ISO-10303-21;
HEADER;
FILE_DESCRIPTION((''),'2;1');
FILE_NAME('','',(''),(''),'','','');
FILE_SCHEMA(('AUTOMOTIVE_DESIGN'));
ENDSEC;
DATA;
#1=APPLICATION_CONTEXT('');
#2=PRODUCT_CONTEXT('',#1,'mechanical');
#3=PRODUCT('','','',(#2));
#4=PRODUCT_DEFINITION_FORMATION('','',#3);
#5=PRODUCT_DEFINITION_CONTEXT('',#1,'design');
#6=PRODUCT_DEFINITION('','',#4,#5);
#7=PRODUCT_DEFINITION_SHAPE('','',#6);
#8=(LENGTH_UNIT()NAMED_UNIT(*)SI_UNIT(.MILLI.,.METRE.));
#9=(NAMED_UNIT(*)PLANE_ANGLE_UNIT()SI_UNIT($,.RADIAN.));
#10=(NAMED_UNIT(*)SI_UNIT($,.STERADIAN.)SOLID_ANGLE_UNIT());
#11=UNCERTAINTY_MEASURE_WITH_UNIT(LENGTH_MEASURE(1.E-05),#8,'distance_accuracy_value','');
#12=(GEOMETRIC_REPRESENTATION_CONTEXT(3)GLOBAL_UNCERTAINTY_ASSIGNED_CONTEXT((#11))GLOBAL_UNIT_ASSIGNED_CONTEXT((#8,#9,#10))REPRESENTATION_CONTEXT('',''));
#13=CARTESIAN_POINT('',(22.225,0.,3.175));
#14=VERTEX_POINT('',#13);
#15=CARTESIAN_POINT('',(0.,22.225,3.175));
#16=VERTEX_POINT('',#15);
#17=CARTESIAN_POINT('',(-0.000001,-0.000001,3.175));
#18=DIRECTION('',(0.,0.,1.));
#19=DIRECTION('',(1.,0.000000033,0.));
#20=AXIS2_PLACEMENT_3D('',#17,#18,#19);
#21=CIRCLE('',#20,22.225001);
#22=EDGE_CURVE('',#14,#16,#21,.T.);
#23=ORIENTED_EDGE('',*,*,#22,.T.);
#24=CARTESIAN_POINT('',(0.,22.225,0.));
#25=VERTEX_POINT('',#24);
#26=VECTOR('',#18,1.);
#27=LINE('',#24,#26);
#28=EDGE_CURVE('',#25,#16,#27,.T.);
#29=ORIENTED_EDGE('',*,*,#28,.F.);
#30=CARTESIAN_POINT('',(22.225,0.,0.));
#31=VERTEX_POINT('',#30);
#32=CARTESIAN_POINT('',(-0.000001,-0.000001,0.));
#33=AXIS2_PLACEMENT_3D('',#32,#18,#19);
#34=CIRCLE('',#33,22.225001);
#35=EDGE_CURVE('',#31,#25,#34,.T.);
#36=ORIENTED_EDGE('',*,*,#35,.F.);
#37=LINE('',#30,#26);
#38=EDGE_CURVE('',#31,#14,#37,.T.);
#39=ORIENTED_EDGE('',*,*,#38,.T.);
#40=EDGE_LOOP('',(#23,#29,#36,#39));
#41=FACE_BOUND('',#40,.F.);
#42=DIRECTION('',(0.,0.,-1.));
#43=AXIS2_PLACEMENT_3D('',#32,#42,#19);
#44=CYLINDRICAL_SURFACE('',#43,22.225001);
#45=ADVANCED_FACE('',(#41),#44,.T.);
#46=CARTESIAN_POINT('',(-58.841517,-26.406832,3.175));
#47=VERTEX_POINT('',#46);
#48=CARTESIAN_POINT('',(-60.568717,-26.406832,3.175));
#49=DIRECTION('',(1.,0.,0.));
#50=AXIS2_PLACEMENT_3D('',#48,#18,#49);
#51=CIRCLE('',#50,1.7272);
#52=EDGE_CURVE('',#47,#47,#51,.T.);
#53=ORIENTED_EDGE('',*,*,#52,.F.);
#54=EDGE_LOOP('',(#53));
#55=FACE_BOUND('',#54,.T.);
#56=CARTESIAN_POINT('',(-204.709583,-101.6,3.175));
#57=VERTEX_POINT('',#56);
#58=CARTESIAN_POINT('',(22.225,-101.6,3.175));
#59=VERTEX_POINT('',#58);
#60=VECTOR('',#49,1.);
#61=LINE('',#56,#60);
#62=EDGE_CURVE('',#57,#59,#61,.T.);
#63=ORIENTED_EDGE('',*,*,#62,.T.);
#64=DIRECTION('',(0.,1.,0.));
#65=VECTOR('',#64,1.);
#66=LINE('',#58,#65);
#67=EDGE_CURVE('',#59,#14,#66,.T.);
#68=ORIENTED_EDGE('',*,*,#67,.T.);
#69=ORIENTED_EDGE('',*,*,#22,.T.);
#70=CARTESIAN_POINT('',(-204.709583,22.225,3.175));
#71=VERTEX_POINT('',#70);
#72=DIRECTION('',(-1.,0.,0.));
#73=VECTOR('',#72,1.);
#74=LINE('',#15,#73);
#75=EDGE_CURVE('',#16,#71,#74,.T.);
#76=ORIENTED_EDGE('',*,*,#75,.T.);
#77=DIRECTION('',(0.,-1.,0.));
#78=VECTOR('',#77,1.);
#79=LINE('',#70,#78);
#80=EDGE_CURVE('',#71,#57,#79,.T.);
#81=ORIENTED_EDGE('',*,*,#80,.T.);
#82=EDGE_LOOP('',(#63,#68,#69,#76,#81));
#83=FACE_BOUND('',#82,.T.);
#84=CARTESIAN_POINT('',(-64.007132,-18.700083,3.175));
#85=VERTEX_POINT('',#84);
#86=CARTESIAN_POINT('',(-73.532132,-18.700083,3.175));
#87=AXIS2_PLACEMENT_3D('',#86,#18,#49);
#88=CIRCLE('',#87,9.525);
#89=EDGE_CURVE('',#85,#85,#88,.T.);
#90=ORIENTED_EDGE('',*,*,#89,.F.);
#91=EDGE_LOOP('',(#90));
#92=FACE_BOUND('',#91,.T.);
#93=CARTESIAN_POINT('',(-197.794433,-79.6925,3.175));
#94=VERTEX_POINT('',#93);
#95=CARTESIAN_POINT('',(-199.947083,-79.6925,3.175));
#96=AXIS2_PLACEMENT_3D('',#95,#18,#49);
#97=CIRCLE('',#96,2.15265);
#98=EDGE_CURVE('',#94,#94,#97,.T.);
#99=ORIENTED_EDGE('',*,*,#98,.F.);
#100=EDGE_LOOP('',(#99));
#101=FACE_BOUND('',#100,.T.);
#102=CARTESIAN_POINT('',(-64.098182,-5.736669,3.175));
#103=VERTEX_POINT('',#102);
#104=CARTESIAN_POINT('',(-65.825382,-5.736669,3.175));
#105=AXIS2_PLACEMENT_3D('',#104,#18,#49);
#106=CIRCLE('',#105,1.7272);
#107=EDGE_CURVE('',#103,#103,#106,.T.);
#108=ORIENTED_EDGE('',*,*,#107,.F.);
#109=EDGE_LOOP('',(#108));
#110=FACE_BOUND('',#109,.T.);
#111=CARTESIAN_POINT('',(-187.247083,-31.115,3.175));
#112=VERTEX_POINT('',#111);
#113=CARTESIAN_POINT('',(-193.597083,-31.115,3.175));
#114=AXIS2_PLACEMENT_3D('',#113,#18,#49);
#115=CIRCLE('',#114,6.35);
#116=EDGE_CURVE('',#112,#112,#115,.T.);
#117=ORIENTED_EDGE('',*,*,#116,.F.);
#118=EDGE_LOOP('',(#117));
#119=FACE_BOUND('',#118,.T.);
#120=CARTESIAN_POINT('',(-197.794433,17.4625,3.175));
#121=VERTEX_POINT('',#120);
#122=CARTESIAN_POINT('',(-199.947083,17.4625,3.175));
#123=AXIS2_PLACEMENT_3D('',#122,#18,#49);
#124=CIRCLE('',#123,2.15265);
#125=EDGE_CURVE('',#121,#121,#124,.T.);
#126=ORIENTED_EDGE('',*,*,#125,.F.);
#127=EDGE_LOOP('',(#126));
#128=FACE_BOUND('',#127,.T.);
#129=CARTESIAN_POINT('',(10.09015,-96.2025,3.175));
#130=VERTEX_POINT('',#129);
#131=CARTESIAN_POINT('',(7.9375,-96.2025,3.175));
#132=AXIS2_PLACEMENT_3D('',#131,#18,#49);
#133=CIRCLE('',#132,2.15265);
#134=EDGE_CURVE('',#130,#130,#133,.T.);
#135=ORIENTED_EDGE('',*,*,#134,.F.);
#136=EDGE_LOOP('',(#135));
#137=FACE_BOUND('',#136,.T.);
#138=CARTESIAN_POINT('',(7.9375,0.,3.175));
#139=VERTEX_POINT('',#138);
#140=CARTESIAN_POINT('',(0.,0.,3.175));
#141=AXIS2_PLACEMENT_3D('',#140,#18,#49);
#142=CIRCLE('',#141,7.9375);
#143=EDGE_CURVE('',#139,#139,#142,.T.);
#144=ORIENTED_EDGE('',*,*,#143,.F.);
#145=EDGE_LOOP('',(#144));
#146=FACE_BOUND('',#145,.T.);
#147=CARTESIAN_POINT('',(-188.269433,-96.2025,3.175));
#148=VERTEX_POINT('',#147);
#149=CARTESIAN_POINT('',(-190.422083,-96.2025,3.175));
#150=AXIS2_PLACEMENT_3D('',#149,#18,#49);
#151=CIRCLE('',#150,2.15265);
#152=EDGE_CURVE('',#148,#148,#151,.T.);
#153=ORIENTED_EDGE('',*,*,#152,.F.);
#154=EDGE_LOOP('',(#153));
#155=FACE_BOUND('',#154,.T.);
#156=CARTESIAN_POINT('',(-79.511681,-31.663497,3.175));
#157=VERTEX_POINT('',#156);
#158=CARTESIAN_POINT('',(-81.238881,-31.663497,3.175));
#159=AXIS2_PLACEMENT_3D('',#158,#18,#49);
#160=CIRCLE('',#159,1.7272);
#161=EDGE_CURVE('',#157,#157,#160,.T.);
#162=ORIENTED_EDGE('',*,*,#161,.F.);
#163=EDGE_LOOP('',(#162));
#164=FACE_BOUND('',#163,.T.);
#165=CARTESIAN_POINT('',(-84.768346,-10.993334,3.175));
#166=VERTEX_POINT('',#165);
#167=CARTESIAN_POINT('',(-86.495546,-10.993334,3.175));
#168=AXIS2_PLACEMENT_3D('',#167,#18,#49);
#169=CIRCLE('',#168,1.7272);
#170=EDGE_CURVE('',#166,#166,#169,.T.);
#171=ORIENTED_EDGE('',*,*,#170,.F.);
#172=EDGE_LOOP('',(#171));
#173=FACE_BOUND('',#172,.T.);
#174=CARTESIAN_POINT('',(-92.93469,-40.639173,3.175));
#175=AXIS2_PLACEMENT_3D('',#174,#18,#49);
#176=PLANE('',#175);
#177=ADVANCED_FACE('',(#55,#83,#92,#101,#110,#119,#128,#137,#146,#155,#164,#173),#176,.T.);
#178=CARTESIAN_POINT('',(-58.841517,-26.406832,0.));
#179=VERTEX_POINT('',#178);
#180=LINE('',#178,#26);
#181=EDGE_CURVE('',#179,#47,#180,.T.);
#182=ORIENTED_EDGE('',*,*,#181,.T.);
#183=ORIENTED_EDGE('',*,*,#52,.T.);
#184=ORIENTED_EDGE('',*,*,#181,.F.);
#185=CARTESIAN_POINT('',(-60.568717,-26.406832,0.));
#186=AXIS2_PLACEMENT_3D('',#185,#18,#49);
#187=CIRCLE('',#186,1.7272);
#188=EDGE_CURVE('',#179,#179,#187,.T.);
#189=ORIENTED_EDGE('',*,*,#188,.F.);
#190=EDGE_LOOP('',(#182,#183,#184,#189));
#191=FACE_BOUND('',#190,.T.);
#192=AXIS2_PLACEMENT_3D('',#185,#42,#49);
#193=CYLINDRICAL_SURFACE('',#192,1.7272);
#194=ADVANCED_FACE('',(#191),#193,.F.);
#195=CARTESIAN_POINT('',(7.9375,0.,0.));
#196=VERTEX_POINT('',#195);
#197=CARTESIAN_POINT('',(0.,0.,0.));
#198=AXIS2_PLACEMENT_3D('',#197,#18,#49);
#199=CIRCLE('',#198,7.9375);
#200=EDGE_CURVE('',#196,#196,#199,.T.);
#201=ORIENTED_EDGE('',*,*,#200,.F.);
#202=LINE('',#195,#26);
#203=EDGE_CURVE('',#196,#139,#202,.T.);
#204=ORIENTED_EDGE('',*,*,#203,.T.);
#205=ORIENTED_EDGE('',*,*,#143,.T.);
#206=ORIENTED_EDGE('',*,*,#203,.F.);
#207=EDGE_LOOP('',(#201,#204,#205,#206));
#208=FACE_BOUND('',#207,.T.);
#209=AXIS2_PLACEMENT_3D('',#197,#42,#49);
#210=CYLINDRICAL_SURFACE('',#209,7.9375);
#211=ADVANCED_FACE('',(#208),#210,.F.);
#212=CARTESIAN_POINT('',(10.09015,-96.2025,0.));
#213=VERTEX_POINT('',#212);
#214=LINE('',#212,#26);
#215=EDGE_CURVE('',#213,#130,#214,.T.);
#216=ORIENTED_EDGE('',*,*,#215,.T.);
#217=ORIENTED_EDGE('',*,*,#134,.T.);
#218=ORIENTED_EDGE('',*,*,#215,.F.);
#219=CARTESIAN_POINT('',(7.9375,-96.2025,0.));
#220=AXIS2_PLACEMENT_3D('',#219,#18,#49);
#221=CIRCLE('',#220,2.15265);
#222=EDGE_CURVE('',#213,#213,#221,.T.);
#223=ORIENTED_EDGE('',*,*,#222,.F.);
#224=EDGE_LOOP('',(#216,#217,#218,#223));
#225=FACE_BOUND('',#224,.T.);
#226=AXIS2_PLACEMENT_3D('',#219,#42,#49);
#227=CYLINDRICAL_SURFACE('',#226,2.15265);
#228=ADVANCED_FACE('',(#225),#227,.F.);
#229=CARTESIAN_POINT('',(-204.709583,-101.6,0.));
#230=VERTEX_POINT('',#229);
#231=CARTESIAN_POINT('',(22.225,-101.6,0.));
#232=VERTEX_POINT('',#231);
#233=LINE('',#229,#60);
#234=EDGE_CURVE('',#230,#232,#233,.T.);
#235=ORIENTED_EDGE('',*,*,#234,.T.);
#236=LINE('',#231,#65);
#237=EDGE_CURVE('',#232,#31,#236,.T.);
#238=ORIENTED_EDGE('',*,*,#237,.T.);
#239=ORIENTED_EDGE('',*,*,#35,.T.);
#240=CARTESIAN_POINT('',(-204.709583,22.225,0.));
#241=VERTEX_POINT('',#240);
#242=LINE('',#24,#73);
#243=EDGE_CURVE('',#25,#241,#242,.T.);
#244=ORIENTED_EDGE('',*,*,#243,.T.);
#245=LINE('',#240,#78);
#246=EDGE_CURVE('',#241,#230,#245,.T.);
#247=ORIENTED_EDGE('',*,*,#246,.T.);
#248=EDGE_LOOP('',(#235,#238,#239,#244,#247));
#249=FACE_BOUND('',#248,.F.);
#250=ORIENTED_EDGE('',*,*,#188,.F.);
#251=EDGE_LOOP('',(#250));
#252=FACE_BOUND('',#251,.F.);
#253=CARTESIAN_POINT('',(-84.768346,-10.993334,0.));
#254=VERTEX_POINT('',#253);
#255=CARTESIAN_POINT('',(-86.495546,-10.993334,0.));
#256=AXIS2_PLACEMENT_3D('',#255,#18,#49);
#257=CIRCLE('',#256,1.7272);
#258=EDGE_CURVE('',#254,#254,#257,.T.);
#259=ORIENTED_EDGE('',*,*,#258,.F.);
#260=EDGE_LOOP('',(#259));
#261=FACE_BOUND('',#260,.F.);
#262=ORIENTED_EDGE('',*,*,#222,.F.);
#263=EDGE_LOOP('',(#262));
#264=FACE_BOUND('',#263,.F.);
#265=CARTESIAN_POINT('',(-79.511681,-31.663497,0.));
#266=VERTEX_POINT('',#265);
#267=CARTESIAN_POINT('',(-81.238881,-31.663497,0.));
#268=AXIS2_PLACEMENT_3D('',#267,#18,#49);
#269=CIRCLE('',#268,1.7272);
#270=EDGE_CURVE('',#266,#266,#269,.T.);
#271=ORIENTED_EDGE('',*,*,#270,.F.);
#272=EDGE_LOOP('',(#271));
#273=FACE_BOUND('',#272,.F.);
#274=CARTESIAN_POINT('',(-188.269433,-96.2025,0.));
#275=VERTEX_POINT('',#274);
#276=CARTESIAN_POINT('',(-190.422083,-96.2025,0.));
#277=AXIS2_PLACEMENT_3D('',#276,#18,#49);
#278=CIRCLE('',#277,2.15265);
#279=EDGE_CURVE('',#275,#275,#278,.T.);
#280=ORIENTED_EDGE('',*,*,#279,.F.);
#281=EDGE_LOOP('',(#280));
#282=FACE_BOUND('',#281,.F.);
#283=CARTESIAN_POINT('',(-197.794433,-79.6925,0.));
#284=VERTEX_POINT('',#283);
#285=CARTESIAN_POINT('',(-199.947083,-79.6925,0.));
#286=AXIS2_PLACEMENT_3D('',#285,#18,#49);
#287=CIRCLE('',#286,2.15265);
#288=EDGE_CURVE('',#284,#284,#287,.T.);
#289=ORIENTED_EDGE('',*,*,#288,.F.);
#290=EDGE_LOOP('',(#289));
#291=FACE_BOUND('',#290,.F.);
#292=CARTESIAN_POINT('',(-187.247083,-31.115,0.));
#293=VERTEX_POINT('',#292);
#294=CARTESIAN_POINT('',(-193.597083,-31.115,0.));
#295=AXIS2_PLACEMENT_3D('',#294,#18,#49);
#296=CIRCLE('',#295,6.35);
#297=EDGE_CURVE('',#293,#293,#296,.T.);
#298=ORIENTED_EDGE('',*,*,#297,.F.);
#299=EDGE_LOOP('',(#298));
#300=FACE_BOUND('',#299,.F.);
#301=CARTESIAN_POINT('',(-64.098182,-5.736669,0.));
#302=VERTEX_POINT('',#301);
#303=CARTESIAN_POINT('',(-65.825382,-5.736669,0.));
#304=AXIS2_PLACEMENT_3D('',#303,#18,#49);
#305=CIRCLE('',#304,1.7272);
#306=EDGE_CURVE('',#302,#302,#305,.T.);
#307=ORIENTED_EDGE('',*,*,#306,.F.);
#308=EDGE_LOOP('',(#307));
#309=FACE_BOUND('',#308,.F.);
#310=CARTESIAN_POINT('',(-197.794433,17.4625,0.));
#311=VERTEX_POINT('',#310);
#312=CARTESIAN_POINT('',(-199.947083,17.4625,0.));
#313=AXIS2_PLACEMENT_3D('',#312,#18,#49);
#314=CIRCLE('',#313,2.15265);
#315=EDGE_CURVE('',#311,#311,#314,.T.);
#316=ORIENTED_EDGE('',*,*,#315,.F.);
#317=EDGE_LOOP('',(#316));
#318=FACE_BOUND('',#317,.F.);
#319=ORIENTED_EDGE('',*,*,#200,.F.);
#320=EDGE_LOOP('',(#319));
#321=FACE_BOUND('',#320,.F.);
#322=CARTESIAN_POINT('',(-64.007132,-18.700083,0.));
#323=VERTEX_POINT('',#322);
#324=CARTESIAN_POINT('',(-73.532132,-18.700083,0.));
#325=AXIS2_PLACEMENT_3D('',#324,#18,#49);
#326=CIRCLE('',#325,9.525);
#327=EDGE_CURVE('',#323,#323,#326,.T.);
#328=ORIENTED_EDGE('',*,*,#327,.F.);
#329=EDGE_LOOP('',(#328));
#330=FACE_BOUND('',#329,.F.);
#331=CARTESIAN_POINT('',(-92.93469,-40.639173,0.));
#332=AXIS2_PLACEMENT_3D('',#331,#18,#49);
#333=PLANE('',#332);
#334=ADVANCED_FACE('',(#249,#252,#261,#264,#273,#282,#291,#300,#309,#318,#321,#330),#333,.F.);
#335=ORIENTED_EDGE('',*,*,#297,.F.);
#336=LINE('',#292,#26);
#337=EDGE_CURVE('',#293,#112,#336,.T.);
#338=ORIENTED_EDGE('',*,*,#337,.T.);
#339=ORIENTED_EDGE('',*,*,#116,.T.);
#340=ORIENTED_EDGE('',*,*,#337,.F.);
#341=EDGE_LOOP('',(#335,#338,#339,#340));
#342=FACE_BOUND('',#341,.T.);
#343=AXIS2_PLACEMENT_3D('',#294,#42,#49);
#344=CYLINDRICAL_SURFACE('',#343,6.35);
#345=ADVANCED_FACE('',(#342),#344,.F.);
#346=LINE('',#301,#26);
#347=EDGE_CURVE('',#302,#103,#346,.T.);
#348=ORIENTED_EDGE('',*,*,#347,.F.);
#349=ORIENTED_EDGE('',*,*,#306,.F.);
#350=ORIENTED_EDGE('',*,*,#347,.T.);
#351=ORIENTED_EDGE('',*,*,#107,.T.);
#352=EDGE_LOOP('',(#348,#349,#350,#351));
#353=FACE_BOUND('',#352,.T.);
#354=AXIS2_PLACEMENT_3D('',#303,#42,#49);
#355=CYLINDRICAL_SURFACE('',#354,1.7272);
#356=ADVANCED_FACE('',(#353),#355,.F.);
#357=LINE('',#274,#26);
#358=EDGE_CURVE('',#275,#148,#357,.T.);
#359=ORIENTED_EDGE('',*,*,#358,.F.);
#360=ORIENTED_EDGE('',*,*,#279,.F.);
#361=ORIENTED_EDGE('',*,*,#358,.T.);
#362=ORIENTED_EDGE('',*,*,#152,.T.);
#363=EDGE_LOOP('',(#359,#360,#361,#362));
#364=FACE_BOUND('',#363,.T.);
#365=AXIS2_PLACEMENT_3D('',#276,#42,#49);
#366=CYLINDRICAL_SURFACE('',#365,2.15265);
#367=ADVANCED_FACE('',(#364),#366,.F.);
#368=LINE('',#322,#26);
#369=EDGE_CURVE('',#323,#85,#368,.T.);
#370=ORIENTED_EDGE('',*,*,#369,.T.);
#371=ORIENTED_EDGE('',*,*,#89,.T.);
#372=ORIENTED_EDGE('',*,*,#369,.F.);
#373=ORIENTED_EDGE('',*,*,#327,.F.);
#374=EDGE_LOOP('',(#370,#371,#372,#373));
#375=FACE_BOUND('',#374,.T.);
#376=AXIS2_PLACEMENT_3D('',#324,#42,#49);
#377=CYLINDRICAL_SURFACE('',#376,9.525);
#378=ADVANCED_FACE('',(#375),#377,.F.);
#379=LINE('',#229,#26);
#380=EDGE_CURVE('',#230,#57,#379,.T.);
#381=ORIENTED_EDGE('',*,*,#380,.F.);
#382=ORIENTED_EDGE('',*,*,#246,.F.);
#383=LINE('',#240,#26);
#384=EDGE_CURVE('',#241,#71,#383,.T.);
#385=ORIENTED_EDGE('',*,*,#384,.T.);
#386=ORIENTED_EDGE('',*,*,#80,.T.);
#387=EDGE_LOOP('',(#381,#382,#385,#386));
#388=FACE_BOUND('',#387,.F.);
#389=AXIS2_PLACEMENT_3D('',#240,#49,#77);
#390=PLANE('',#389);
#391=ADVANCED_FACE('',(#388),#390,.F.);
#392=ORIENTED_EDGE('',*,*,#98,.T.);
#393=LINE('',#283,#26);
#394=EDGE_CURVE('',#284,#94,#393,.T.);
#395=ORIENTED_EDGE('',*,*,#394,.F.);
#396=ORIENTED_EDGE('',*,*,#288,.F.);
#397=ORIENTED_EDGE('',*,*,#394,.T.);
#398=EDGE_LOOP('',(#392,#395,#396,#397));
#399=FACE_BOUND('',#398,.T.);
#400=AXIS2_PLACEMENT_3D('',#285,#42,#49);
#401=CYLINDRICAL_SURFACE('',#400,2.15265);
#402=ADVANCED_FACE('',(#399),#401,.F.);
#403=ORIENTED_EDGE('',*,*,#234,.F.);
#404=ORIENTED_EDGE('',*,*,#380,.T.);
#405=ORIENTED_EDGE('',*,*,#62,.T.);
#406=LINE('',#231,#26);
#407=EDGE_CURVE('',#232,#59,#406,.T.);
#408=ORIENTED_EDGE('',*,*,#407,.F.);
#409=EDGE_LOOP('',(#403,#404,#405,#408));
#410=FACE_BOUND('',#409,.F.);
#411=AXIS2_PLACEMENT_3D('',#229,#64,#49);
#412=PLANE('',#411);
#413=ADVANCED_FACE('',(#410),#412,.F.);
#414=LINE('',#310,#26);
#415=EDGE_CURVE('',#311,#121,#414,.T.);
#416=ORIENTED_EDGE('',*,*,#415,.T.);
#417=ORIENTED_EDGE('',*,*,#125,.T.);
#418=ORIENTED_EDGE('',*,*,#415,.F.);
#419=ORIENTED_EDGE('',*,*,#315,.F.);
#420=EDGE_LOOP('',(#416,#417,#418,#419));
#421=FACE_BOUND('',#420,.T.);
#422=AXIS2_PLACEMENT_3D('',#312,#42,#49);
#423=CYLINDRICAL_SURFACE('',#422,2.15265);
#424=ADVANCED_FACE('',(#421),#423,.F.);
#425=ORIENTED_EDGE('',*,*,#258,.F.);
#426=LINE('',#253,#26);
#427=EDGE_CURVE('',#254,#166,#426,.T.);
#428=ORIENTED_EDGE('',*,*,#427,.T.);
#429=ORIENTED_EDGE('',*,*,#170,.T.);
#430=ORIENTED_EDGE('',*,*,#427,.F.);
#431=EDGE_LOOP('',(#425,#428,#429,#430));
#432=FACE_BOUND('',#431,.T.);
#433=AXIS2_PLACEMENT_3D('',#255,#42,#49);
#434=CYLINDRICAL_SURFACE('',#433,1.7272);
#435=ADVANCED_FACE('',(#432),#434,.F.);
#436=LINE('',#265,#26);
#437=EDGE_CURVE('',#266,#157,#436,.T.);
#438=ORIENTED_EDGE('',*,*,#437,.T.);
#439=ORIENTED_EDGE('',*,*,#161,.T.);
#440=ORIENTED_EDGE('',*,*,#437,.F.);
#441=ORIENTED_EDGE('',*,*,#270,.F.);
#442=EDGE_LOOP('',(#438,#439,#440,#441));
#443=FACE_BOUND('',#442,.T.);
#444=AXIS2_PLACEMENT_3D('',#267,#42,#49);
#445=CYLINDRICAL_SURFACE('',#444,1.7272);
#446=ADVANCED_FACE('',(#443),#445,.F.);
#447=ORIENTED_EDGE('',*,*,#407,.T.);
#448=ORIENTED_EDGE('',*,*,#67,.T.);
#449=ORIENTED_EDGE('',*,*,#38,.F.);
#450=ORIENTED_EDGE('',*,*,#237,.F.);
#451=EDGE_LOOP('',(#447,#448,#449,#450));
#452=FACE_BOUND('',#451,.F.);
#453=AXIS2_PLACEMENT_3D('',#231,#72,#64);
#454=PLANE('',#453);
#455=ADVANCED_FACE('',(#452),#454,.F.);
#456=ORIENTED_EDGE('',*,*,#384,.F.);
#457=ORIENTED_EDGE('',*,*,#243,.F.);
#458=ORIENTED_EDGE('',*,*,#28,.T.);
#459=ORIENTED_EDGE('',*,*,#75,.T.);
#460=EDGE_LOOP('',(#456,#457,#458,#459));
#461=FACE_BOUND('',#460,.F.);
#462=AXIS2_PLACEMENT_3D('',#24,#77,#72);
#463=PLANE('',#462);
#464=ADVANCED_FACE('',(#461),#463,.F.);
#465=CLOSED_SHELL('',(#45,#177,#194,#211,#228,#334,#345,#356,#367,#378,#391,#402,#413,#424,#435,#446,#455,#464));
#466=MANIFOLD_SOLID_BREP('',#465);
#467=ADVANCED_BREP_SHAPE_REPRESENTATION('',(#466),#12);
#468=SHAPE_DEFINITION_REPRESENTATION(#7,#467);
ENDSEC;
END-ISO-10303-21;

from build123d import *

# Parameters (mm, degrees)
F0_R     = 2.15265
F0_R_2   = 6.35
F0_R_3   = 1.7272
F0_R_4   = 9.525
F0_R_5   = 7.9375
F1_DEPTH = 3.175


with BuildPart() as f1:
    # F0 (on Top) → F1 (new body)
    with BuildSketch(Plane.XY):
        with BuildLine():
            Line((0, 22.225), (-204.709583, 22.225))
            Line((-204.709583, 22.225), (-204.709583, -101.6))
            Line((-204.709583, -101.6), (22.225, -101.6))
            Line((22.225, -101.6), (22.225, -90.805))
            Line((22.225, -90.805), (22.225, 0))
            ThreePointArc((22.225, 0), (15.715448, 15.715448), (0, 22.225))
        make_face()
        with Locations((-190.422083, -96.2025)):
            Circle(F0_R, mode=Mode.SUBTRACT)
        with Locations((-199.947083, -79.6925)):
            Circle(F0_R, mode=Mode.SUBTRACT)
        with Locations((7.9375, -96.2025)):
            Circle(F0_R, mode=Mode.SUBTRACT)
        with Locations((-193.597083, -31.115)):
            Circle(F0_R_2, mode=Mode.SUBTRACT)
        with Locations((-199.947083, 17.4625)):
            Circle(F0_R, mode=Mode.SUBTRACT)
        with Locations((-81.238881, -31.663497)):
            Circle(F0_R_3, mode=Mode.SUBTRACT)
        with Locations((-60.568717, -26.406832)):
            Circle(F0_R_3, mode=Mode.SUBTRACT)
        with Locations((-73.532132, -18.700083)):
            Circle(F0_R_4, mode=Mode.SUBTRACT)
        with Locations((-86.495546, -10.993334)):
            Circle(F0_R_3, mode=Mode.SUBTRACT)
        with Locations((-65.825382, -5.736669)):
            Circle(F0_R_3, mode=Mode.SUBTRACT)
        Circle(F0_R_5, mode=Mode.SUBTRACT)
    extrude(amount=F1_DEPTH)


solid = f1.part
